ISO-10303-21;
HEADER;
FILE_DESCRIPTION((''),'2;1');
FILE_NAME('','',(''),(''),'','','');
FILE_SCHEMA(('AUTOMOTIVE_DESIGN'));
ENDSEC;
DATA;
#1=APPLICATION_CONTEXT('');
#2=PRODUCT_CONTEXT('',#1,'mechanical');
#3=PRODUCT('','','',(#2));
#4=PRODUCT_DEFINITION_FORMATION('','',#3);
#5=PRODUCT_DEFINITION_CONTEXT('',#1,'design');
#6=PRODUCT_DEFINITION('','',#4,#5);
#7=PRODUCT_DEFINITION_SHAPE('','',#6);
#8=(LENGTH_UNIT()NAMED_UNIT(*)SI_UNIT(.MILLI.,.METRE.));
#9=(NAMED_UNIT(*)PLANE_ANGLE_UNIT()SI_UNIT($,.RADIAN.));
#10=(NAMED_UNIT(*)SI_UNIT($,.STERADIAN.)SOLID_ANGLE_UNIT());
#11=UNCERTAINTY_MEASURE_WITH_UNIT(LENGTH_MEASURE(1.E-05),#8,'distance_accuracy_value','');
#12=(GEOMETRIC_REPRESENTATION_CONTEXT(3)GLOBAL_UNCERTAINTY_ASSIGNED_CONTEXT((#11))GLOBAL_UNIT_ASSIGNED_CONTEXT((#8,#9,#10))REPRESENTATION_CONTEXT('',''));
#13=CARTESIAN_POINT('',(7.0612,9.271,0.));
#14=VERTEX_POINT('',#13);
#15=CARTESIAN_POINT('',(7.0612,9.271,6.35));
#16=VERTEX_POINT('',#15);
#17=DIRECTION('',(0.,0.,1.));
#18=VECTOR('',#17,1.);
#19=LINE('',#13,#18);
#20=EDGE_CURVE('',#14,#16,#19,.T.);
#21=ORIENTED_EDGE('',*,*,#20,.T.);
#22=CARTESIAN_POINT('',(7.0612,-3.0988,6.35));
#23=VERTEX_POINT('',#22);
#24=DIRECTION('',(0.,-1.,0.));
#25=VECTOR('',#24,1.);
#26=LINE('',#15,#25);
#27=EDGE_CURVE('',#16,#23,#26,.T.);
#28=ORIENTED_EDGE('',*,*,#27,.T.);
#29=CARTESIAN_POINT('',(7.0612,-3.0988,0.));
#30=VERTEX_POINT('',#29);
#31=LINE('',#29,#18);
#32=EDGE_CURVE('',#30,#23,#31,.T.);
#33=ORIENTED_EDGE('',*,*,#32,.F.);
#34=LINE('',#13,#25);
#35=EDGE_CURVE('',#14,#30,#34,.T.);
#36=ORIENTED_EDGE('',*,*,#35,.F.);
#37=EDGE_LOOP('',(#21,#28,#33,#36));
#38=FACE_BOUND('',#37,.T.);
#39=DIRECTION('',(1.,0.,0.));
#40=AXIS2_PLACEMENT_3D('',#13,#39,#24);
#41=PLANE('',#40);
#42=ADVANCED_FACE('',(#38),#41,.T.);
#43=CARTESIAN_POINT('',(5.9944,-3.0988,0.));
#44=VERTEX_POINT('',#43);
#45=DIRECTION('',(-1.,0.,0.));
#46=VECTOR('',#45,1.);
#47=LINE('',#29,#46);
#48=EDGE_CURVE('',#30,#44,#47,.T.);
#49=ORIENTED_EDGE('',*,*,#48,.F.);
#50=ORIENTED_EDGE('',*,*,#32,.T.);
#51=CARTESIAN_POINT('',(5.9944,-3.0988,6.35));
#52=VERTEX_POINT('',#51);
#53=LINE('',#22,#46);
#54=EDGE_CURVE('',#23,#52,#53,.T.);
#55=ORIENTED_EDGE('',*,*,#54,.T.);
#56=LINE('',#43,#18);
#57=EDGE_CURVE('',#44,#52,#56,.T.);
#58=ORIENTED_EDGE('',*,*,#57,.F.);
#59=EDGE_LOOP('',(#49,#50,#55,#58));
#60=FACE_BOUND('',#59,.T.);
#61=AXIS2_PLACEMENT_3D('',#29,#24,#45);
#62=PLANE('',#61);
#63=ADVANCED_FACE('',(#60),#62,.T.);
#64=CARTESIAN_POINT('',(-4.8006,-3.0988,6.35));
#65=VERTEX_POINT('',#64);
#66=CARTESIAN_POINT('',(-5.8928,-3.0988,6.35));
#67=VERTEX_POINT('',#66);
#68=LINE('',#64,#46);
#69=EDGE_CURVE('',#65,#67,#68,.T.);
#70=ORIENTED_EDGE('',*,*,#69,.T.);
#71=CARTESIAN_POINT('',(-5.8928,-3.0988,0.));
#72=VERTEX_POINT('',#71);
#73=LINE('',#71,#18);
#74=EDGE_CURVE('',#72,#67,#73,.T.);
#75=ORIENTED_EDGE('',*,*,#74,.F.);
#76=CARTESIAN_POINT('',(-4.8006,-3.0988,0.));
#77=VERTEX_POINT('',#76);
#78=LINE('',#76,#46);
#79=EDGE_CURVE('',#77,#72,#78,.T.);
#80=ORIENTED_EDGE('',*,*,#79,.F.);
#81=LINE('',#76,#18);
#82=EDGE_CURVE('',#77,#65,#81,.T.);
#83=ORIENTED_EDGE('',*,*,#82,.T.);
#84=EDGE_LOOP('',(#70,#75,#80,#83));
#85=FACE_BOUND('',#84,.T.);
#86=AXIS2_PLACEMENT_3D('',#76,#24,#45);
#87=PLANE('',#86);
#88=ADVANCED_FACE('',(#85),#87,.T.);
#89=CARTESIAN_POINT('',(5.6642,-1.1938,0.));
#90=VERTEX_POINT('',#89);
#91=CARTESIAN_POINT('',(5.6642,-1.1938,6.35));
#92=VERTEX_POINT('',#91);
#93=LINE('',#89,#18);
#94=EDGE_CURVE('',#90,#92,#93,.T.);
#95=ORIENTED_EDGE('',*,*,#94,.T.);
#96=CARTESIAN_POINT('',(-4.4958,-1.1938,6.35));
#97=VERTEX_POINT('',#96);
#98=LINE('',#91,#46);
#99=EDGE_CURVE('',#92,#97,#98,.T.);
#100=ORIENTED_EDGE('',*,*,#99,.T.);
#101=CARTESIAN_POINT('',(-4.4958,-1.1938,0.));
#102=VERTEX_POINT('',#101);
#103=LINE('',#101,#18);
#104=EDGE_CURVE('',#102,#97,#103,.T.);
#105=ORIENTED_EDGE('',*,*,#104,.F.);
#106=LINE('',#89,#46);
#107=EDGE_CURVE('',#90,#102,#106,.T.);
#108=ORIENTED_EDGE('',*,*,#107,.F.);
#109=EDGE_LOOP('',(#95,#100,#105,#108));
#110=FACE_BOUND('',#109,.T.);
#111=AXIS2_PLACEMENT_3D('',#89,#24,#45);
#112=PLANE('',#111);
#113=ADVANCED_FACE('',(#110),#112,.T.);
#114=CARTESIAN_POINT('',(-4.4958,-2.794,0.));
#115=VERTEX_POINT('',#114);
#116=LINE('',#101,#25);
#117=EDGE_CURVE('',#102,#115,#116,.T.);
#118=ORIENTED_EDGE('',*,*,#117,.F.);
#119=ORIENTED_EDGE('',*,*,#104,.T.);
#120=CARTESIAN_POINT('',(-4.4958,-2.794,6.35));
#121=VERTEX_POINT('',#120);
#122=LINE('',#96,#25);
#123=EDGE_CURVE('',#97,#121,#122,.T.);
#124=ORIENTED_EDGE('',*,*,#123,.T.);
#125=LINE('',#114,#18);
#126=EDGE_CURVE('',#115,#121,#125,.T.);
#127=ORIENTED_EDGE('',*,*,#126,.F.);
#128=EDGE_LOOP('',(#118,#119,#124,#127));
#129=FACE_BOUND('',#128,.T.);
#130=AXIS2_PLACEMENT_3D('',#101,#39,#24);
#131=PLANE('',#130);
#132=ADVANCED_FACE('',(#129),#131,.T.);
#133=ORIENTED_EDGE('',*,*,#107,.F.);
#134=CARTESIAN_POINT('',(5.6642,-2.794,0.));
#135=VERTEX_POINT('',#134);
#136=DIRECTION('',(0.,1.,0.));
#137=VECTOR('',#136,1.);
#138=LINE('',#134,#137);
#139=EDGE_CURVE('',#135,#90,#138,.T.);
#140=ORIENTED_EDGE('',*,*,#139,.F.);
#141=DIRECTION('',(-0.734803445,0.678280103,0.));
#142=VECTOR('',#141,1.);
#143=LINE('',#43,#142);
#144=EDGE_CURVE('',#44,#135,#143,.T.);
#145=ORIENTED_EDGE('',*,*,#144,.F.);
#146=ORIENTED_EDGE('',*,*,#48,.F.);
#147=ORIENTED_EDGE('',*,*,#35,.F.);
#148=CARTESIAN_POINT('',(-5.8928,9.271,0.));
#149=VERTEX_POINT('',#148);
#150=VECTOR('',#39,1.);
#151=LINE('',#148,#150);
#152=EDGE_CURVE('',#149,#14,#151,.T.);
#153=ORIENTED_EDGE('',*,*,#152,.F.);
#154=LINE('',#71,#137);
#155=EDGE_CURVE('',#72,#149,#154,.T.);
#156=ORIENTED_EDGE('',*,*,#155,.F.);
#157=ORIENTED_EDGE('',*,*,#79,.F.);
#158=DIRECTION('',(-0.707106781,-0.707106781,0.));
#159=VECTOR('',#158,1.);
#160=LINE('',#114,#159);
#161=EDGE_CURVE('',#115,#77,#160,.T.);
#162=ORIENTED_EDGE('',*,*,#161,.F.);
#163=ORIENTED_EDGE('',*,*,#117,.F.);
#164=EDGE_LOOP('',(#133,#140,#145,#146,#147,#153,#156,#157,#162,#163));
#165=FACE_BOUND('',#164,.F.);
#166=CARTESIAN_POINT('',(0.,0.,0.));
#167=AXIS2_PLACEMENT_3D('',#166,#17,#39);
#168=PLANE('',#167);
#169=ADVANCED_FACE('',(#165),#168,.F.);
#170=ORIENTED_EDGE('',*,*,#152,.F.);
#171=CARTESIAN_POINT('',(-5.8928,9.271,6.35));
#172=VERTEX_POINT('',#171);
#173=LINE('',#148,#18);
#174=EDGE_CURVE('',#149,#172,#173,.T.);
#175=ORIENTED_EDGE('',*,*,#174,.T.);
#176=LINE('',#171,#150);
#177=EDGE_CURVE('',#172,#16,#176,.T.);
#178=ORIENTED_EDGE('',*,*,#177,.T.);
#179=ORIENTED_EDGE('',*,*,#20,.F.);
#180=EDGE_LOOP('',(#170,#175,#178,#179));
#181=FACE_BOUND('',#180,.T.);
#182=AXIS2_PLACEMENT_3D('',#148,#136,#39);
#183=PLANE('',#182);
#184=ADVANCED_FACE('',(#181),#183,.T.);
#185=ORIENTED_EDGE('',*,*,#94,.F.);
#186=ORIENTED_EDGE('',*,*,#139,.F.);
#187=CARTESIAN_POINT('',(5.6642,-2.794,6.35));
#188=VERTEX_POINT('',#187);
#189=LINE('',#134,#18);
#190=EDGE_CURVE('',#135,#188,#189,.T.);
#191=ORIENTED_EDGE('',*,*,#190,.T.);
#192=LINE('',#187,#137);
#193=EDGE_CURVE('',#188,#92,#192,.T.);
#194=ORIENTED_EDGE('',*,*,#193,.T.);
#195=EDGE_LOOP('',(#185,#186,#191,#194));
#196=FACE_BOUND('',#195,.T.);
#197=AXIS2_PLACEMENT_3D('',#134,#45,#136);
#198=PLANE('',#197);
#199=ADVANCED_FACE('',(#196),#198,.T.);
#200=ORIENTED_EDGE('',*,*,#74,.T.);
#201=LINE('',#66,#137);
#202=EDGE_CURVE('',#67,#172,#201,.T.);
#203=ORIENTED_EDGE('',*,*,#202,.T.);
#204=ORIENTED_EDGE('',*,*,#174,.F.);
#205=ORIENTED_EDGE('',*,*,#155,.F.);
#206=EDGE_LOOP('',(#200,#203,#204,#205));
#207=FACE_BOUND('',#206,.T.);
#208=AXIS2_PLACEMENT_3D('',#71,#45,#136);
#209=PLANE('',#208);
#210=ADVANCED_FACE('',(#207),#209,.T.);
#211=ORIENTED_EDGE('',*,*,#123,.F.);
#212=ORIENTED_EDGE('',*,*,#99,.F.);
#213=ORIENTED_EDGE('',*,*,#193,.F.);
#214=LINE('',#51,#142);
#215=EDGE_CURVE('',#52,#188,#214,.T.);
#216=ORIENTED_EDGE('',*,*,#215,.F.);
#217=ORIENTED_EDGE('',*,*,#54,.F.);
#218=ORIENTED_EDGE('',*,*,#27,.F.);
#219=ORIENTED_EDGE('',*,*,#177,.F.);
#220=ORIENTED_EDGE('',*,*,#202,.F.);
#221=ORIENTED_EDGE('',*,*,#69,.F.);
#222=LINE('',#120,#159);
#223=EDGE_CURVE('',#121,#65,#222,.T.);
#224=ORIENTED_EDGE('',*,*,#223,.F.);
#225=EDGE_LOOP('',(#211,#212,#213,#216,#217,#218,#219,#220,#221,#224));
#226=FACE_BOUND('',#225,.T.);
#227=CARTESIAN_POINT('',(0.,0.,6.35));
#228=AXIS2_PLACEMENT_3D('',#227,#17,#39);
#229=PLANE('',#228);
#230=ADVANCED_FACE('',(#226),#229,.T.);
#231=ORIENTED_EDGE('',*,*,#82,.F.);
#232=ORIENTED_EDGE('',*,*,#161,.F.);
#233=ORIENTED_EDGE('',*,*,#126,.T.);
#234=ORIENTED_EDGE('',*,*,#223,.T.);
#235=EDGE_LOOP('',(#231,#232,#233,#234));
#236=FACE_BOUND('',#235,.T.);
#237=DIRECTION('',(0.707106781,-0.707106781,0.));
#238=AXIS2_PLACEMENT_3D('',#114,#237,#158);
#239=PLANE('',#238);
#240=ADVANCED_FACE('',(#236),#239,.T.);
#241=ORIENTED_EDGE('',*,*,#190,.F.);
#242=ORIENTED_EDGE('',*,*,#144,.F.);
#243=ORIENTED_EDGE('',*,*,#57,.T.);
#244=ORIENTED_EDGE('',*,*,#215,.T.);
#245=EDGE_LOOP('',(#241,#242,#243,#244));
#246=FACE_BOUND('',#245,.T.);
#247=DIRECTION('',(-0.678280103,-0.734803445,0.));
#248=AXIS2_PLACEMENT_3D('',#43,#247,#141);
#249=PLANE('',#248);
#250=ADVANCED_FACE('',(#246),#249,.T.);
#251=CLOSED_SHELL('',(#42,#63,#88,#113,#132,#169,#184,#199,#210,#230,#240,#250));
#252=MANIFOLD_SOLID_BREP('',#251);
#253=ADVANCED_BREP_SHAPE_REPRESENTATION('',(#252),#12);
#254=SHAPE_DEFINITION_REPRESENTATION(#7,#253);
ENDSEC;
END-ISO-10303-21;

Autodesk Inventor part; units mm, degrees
ref_plane "YZ Plane" through (0, 0, 0) normal (1, 0, 0) x (0, 1, 0)
ref_plane "XZ Plane" through (0, 0, 0) normal (0, 1, 0) x (-1, 0, 0)
ref_plane "XY Plane" through (0, 0, 0) normal (0, 0, 1) x (1, 0, 0)
sketch "DM3D-SF, DX3D-SF_53" plane through (0, 0, 0) normal (0, 0, 1) x (1, 0, 0)
  line L0 (-5.8928, 9.271) -> (7.0612, 9.271)
  line L1 (7.0612, 9.271) -> (7.0612, -3.0988)
  line L2 (7.0612, -3.0988) -> (5.9944, -3.0988)
  line L3 (5.9944, -3.0988) -> (5.6642, -2.794)
  line L4 (5.6642, -2.794) -> (5.6642, -1.1938)
  line L5 (5.6642, -1.1938) -> (-4.4958, -1.1938)
  line L6 (-4.4958, -1.1938) -> (-4.4958, -2.794)
  line L7 (-4.4958, -2.794) -> (-4.8006, -3.0988)
  line L8 (-4.8006, -3.0988) -> (-5.8928, -3.0988)
  line L9 (-5.8928, -3.0988) -> (-5.8928, 9.271)
extrude "Extrusion1" add sketch "DM3D-SF, DX3D-SF_53" along normal blind 6.35
properties part number "DX3D-SF"
